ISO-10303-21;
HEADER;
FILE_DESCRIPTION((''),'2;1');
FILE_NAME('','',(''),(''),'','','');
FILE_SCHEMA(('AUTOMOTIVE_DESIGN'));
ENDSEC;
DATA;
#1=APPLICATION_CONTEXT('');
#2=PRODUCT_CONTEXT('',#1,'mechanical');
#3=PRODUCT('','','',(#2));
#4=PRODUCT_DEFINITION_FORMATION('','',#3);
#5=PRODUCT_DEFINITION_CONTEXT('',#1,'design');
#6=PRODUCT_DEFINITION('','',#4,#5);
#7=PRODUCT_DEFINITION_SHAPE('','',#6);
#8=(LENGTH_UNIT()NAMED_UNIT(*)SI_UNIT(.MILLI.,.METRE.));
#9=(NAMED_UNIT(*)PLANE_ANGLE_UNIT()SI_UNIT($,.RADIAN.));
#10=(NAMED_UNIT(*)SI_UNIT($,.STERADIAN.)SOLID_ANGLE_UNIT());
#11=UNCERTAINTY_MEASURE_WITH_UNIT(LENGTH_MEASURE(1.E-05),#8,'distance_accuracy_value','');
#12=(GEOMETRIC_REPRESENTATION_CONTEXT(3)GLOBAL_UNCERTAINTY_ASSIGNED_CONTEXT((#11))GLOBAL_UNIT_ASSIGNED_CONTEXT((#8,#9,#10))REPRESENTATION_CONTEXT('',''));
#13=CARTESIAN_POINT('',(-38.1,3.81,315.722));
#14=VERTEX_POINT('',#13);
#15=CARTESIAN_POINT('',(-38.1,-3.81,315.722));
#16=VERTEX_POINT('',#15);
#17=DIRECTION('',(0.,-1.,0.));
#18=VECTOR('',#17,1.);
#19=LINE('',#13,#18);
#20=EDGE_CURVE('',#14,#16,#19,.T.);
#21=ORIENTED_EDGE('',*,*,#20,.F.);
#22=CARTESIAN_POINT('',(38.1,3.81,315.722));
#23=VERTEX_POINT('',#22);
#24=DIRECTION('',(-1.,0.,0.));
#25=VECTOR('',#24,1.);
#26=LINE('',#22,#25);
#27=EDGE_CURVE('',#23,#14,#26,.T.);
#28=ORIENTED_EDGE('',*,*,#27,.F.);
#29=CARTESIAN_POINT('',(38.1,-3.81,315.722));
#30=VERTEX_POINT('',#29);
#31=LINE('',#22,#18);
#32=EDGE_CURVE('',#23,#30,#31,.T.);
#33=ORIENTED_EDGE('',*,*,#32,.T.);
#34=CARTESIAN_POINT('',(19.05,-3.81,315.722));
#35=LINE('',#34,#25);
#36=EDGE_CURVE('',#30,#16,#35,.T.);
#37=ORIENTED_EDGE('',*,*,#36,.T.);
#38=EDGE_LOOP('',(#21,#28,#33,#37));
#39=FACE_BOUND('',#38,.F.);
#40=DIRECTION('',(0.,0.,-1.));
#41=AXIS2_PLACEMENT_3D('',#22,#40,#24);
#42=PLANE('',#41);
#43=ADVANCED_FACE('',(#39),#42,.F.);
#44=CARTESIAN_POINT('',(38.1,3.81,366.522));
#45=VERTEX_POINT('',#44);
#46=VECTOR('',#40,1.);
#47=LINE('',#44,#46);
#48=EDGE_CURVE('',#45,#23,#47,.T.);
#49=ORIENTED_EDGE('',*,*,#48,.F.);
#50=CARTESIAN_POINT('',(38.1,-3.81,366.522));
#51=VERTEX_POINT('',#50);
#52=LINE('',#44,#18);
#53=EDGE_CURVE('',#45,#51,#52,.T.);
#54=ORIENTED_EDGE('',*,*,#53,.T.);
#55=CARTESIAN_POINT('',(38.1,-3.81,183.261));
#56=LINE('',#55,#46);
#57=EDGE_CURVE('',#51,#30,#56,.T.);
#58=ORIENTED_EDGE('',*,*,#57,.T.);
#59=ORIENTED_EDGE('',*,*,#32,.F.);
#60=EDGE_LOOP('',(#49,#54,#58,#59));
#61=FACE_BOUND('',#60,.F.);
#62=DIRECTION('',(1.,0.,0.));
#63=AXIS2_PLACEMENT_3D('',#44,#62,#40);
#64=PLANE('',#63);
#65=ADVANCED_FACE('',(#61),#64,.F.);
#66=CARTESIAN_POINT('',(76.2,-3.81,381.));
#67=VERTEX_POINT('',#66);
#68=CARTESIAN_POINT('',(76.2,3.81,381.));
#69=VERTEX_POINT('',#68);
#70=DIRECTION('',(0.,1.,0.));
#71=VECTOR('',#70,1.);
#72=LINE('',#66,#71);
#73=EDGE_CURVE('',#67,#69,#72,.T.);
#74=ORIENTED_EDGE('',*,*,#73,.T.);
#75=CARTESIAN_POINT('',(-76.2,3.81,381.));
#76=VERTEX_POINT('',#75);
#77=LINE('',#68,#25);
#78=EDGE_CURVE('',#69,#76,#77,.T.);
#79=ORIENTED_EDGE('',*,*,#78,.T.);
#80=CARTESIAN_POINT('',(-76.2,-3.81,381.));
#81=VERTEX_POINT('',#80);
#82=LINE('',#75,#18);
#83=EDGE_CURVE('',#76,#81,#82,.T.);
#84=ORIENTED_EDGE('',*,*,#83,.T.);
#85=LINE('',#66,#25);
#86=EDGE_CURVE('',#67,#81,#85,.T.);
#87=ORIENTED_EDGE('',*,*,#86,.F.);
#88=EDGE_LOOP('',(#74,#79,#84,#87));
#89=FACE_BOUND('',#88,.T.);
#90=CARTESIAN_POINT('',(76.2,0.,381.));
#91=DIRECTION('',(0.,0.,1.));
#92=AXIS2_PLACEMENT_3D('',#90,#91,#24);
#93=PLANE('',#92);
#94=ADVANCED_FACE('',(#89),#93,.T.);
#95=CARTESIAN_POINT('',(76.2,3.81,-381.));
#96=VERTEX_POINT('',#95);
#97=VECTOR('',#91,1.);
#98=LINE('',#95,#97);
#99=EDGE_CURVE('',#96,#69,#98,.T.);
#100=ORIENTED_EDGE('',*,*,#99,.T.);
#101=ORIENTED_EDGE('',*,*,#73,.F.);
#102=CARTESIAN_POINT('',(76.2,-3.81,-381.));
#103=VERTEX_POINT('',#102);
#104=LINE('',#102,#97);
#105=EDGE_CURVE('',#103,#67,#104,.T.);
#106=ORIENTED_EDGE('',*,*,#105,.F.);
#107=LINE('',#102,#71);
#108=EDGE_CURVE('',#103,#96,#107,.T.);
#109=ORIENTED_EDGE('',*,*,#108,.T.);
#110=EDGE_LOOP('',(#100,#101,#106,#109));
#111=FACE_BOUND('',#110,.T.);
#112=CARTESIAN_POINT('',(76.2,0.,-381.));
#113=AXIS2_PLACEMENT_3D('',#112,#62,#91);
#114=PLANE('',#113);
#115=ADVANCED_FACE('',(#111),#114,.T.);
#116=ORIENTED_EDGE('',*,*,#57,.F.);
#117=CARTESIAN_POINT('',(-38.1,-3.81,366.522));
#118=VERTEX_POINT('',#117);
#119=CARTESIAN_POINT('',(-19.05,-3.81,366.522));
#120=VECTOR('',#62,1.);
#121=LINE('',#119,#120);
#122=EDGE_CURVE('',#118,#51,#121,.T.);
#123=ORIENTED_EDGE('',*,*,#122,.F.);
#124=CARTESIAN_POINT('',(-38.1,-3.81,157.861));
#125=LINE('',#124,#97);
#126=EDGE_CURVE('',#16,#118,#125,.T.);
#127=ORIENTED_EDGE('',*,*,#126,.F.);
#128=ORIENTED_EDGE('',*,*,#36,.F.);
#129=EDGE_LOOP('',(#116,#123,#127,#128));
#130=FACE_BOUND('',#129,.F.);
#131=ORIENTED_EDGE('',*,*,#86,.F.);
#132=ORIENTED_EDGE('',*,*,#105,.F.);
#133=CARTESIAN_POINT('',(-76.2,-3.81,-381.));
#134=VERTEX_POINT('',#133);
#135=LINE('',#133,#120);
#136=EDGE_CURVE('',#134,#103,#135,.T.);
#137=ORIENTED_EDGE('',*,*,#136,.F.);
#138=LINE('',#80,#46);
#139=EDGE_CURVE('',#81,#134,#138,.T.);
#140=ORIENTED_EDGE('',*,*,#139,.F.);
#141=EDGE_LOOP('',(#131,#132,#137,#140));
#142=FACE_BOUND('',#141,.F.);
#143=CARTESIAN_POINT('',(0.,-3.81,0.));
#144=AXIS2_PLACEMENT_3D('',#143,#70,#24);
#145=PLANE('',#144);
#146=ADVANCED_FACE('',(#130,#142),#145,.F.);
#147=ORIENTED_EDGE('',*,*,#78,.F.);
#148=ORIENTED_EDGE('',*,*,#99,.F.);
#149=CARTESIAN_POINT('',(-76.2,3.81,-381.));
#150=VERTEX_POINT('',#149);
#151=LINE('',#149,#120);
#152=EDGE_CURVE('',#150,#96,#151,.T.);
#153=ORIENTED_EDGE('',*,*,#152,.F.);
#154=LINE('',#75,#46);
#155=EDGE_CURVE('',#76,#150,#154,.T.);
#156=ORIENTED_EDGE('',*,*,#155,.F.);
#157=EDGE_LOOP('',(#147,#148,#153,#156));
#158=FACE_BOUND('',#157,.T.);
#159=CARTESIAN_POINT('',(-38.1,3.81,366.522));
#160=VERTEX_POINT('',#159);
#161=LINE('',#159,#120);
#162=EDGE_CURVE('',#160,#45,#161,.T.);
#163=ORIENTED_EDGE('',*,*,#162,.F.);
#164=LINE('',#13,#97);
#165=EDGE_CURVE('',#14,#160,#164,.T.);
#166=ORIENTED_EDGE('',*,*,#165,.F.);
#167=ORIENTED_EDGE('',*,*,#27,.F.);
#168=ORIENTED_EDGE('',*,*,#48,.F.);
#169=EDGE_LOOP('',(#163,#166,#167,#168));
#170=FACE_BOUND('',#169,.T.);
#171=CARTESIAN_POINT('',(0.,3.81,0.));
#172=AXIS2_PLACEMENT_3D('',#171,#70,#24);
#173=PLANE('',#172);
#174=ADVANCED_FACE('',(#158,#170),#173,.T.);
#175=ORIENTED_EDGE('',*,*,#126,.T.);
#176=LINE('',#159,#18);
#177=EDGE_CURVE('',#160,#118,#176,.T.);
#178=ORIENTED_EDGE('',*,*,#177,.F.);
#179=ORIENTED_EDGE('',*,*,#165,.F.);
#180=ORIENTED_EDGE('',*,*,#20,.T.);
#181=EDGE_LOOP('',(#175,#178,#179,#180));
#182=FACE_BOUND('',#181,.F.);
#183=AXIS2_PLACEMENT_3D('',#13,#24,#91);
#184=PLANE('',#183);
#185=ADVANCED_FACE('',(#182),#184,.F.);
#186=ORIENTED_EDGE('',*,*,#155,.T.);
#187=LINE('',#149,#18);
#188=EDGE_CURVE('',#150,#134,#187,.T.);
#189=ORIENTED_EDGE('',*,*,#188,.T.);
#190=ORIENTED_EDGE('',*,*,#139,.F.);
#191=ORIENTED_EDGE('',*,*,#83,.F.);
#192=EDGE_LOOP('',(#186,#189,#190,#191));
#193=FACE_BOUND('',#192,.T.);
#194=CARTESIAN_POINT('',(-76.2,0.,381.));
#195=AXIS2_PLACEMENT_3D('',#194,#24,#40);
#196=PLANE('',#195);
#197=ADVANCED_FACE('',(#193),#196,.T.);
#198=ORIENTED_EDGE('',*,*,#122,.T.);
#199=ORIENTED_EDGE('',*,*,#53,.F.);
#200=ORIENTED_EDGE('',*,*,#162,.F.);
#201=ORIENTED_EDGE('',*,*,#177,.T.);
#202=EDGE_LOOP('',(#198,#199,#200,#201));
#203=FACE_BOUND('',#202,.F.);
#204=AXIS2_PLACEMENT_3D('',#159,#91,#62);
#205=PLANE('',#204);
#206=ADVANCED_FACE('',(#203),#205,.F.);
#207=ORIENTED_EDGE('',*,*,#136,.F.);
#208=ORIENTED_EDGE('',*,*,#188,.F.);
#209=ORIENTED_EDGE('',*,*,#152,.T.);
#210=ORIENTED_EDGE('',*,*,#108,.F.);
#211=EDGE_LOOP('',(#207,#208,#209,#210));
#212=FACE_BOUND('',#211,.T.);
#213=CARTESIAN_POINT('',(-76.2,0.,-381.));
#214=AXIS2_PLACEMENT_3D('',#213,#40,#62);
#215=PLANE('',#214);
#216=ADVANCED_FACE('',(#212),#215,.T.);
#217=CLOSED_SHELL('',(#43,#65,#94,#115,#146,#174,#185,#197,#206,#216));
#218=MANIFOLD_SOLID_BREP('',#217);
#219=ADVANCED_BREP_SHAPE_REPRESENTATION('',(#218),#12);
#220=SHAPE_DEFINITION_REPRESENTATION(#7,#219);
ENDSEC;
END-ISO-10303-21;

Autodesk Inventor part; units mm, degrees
ref_plane "YZ Plane" through (0, 0, 0) normal (1, 0, 0) x (0, 1, 0)
ref_plane "XZ Plane" through (0, 0, 0) normal (0, 1, 0) x (-1, 0, 0)
ref_plane "XY Plane" through (0, 0, 0) normal (0, 0, 1) x (1, 0, 0)
sketch "Boceto1" plane through (0, 0, 0) normal (0, 1, 0) x (-1, 0, 0)
  point P0 (0, 0)
sketch "Boceto2" plane through (0, 0, 0) normal (0, 1, 0) x (-1, 0, 0)
  line L0 (-76.2, 381) -> (76.2, 381)
  line L1 (76.2, 381) -> (76.2, -381)
  line L2 (76.2, -381) -> (-76.2, -381)
  line L3 (-76.2, -381) -> (-76.2, 381)
  line L4 (-76.2, 381) -> (76.2, -381) construction
  line L5 (76.2, 381) -> (-76.2, -381) construction
  point P0 (0, 0)
  dimension "d0" = 152.4
  dimension "d1" = 762
extrude "Extrusión1" add sketch "Boceto2" along normal mid plane 7.62
sketch "Boceto3" plane through (0, 3.81, 0) normal (0, 1, 0) x (1, 0, 0)
  line L0 (-76.2, -381) -> (76.2, -381) projected
  line L1 (38.1, -315.722) -> (-38.1, -315.722)
  line L2 (-38.1, -315.722) -> (-38.1, -366.522)
  line L3 (-38.1, -366.522) -> (38.1, -366.522)
  line L4 (38.1, -366.522) -> (38.1, -315.722)
  line L5 (38.1, -315.722) -> (-38.1, -366.522) construction
  line L6 (-38.1, -315.722) -> (38.1, -366.522) construction
  point P0 (0, 0)
  point P1 (0, -366.522)
  point P2 (0, -341.122)
  dimension "d4" = 14.478
  dimension "d5" = 76.2
  dimension "d6" = 50.8
  dimension "d7" = 0
extrude "Extrusión2" cut sketch "Boceto3" against normal blind 25.4
properties material "Acero AISI 1015"
